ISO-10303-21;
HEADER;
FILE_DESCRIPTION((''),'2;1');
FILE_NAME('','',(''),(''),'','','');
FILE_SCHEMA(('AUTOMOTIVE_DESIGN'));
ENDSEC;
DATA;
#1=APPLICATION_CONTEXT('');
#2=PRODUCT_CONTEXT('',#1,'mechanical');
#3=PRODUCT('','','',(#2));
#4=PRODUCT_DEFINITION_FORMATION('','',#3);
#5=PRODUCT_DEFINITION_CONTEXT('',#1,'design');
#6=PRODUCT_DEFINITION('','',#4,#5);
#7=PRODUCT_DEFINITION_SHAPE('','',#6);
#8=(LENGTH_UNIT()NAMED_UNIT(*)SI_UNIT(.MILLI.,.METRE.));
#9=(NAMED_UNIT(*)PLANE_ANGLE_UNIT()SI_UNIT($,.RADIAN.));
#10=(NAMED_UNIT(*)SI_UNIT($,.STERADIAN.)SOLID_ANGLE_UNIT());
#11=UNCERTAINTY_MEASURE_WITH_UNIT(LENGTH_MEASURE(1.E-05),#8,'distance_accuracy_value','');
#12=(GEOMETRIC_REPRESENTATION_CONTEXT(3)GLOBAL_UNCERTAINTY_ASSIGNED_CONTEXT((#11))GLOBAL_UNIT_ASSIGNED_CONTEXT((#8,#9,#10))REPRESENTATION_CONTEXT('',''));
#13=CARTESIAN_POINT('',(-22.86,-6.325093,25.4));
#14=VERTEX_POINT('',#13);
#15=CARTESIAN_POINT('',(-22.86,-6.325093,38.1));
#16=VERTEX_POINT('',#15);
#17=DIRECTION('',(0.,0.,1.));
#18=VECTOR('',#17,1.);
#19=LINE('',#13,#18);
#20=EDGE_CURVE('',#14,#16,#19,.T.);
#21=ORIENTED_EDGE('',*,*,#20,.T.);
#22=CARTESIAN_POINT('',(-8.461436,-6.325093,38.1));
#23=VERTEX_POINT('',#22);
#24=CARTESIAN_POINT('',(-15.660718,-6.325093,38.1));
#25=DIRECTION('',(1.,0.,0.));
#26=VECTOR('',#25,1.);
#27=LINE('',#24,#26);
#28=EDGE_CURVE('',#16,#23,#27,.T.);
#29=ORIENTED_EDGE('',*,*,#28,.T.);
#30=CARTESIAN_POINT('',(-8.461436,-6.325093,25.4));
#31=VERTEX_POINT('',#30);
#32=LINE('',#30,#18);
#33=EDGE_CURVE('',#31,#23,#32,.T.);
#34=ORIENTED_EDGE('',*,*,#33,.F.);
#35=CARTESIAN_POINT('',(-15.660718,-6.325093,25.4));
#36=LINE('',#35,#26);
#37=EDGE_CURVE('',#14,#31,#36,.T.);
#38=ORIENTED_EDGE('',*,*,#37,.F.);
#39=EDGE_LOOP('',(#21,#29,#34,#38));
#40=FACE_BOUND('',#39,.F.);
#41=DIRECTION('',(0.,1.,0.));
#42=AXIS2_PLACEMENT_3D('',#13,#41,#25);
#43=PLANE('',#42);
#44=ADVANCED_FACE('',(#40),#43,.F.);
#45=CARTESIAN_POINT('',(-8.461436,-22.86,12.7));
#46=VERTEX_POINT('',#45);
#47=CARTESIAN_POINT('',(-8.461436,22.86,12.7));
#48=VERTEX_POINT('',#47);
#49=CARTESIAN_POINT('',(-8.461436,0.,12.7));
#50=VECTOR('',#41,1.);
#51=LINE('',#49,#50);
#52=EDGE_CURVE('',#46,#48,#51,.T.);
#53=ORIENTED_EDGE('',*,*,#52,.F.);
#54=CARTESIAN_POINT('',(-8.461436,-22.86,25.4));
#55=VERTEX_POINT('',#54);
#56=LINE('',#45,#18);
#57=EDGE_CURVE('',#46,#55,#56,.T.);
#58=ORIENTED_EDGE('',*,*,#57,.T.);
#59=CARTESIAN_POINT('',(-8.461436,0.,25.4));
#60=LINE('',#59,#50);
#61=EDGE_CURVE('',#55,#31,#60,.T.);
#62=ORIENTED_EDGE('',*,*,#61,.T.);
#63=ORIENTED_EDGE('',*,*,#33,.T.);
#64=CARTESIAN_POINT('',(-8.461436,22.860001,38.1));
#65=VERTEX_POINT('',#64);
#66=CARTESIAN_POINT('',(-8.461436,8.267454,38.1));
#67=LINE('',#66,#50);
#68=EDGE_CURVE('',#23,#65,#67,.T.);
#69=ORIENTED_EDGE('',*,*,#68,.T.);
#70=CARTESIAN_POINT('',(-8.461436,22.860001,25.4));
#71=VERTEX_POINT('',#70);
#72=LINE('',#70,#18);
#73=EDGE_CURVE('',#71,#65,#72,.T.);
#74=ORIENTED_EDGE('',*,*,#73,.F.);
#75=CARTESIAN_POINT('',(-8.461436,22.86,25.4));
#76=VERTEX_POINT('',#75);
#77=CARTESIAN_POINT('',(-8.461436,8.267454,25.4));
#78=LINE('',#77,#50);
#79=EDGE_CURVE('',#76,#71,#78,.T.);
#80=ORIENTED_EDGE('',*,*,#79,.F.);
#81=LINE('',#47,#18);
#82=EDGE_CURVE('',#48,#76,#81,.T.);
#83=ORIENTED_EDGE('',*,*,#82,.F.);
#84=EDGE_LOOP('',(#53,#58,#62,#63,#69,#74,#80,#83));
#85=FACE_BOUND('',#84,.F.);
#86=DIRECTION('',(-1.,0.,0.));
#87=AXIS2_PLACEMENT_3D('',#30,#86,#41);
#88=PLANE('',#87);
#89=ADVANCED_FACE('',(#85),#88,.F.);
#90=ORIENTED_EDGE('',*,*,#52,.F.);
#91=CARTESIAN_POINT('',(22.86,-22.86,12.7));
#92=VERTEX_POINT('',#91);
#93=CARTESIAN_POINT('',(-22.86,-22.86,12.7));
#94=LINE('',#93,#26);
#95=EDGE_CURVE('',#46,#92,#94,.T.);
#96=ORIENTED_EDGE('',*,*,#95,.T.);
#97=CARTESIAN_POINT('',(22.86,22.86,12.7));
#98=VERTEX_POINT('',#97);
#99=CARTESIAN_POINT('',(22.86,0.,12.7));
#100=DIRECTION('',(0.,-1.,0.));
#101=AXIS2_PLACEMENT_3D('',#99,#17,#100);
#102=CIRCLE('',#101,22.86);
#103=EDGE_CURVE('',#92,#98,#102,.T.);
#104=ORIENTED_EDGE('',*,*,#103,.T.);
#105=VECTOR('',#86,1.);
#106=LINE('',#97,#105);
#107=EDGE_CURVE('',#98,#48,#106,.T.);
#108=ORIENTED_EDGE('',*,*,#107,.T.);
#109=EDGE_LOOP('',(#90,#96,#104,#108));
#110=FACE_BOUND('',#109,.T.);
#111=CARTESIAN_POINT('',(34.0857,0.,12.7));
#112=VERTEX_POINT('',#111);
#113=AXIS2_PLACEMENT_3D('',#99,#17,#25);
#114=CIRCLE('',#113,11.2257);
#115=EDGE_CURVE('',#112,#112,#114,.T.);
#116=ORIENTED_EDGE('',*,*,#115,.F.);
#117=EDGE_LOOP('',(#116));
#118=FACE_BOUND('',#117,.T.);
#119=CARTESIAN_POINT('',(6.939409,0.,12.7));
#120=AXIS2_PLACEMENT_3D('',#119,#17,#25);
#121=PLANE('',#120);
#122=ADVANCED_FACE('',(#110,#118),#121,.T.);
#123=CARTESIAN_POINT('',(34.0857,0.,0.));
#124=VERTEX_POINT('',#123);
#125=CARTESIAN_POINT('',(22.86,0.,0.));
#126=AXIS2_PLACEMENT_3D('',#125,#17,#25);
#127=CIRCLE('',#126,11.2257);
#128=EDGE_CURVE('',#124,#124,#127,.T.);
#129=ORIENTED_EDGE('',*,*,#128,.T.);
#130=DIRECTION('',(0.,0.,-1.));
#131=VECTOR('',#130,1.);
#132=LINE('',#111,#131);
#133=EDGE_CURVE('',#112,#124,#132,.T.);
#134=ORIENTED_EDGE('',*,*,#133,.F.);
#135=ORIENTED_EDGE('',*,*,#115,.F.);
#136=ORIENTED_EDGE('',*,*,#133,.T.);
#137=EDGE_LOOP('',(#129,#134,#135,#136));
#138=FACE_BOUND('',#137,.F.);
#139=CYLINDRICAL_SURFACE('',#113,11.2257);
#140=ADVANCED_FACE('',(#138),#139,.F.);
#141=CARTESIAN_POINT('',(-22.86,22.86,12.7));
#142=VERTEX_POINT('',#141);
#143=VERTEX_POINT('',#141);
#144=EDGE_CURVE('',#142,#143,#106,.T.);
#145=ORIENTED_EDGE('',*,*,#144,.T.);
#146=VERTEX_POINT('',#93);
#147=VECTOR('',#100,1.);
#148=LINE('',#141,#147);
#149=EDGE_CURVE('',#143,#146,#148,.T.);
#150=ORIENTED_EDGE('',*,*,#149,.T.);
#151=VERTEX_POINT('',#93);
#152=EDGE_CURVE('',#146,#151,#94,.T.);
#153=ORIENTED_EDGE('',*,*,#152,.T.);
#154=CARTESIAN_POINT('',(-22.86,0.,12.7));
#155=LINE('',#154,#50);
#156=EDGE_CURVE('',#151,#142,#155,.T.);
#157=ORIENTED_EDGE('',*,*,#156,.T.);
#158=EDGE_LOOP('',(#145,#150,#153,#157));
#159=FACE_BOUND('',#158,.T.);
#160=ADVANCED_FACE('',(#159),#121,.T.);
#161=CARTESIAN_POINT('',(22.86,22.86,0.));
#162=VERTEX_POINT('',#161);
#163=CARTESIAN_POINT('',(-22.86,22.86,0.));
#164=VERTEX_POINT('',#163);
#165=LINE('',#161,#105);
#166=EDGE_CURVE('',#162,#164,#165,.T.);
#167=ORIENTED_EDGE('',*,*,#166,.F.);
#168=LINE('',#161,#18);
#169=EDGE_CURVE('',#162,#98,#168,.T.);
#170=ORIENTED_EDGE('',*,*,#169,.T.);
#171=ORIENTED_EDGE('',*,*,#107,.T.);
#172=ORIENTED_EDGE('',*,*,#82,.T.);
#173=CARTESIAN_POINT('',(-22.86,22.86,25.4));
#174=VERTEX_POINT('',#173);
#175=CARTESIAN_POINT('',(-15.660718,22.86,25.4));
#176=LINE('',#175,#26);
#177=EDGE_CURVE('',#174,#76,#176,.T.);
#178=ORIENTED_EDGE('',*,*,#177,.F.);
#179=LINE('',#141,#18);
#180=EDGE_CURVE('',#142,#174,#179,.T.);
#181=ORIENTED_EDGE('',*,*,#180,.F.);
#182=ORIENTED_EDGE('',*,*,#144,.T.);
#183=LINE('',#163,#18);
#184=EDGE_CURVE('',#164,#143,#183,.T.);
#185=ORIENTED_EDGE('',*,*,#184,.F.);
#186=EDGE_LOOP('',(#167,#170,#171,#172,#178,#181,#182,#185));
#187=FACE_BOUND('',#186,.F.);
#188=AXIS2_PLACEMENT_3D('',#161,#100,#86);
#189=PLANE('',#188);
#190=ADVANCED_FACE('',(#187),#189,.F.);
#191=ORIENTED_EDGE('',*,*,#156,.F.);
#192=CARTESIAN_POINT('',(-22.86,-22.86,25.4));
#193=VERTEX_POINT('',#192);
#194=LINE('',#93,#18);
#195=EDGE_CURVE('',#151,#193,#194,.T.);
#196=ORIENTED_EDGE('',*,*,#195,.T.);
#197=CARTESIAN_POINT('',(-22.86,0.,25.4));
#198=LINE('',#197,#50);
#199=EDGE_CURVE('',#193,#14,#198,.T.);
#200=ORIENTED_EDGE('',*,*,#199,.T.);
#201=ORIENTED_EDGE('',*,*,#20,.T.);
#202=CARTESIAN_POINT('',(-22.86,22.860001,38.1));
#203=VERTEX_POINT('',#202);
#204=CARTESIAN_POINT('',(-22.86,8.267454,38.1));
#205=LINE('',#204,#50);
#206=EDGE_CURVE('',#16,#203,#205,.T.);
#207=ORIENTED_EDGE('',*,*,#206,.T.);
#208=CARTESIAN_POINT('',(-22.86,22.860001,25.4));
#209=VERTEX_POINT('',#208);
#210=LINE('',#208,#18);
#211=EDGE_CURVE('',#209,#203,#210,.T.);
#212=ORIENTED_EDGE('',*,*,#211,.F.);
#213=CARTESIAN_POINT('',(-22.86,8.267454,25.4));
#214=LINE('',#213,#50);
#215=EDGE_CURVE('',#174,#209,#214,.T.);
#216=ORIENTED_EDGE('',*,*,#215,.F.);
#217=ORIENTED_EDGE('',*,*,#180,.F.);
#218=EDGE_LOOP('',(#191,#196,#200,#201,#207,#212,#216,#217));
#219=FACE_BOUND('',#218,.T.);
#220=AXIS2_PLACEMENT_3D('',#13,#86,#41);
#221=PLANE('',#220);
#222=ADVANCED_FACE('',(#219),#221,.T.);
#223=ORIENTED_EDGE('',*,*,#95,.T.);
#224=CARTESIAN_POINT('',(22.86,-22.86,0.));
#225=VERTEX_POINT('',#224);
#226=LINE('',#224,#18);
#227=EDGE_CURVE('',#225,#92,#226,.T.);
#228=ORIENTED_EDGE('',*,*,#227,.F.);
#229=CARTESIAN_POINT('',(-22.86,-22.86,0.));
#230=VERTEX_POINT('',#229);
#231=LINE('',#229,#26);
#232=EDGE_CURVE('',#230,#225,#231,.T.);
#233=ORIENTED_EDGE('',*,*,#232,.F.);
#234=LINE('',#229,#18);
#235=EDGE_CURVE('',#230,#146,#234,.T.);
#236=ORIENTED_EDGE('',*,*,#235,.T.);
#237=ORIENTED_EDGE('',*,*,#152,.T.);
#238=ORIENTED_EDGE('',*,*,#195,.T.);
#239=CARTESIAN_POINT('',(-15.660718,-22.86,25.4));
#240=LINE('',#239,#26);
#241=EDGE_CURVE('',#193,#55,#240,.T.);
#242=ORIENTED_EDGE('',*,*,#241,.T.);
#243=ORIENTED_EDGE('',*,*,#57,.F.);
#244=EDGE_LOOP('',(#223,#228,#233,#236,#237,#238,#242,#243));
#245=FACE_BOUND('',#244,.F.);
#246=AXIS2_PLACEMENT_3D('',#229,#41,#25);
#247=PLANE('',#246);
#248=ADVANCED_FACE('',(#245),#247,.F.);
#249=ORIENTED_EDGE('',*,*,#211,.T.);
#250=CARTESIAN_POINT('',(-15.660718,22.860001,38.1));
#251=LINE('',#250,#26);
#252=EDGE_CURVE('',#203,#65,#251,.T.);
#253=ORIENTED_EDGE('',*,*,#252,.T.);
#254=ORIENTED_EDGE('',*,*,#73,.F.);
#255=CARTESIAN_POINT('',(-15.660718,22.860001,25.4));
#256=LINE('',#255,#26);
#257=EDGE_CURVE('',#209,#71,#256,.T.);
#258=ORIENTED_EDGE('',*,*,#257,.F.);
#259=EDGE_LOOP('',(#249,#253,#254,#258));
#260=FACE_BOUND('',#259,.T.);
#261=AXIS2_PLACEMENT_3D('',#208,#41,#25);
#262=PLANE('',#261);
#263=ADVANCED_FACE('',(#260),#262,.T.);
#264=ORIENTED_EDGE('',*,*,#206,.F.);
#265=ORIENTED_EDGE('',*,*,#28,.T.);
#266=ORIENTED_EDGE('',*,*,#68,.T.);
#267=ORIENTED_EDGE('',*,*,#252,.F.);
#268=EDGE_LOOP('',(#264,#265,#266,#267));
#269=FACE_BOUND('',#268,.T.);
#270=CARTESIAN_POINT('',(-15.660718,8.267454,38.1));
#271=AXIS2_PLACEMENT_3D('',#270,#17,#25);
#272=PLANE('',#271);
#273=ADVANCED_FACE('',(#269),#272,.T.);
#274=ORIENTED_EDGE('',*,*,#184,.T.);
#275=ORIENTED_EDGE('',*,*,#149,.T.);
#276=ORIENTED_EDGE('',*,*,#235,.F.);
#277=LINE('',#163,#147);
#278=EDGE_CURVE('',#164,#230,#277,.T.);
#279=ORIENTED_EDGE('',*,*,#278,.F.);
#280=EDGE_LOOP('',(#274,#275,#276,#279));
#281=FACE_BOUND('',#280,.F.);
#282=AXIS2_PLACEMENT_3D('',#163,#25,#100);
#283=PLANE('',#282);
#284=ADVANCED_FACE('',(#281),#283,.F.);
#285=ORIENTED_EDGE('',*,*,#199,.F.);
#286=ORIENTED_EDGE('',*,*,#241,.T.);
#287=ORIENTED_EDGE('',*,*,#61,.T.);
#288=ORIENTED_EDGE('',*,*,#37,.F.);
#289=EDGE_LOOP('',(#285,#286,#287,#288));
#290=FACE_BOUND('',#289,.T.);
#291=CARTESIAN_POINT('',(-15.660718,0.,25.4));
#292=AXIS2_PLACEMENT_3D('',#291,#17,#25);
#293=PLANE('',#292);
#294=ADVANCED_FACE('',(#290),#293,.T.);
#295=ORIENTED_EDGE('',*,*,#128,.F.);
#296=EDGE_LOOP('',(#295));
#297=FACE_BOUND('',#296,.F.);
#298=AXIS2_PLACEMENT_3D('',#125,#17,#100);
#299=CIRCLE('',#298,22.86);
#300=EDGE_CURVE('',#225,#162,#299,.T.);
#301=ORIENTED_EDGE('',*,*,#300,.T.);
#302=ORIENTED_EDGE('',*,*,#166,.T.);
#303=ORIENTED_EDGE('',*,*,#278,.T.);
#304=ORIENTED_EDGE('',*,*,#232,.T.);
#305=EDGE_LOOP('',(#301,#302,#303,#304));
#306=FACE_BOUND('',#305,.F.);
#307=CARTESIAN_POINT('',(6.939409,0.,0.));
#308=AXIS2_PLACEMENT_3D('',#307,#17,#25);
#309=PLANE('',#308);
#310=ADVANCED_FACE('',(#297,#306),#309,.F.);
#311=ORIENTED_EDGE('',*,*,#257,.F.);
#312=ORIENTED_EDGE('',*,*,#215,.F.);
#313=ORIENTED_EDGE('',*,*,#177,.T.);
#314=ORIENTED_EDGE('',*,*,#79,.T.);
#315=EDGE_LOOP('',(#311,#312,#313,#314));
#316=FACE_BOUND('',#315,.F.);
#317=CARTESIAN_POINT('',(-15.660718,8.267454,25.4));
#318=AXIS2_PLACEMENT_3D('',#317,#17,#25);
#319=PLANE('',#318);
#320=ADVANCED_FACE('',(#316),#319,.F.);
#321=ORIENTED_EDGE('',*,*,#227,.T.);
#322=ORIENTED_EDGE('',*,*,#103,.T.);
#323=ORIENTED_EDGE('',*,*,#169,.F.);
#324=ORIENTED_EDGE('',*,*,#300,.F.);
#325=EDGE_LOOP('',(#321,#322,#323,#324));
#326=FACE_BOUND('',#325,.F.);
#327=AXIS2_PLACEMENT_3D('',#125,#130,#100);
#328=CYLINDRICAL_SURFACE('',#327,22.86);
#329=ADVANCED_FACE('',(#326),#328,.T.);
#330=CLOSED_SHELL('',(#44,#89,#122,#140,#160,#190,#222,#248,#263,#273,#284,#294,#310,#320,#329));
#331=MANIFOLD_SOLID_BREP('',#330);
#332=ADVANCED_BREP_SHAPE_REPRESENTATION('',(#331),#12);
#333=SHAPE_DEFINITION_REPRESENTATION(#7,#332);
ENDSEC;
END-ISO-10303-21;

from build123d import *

# Parameters (mm, degrees)
F1_DEPTH = 12.7
F2_W     = 14.398563
F2_H     = 45.72
F3_DEPTH = 12.7
F4_W     = 14.398563
F4_H     = 29.185093
F5_DEPTH = 12.7
F6_R     = 11.2257
F7_DEPTH = 25.4


with BuildPart() as f1:
    # F0 (on Top) → F1 (new body)
    with BuildSketch(Plane.XY):
        with BuildLine():
            Line((-22.86, -22.86), (22.86, -22.86))
            ThreePointArc((22.86, -22.86), (45.72, 0), (22.86, 22.86))
            Line((22.86, 22.86), (-22.86, 22.86))
            Line((-22.86, 22.86), (-22.86, -22.86))
        make_face()
    extrude(amount=F1_DEPTH)

    # F2 (on face) → F3 (join)
    with BuildSketch(Plane.XY.offset(12.7)):
        with Locations((-15.660718, 0)):
            Rectangle(F2_W, F2_H)
    extrude(amount=F3_DEPTH)

    # F4 (on face) → F5 (join)
    with BuildSketch(Plane.XY.offset(25.4)):
        with Locations((-15.660718, 8.267454)):
            Rectangle(F4_W, F4_H)
    extrude(amount=F5_DEPTH)

    # F6 (on face) → F7 (cut)
    with BuildSketch(Plane.XY.offset(12.7)):
        with Locations((22.86, 0)):
            Circle(F6_R)
    extrude(amount=-F7_DEPTH, mode=Mode.SUBTRACT)


solid = f1.part
